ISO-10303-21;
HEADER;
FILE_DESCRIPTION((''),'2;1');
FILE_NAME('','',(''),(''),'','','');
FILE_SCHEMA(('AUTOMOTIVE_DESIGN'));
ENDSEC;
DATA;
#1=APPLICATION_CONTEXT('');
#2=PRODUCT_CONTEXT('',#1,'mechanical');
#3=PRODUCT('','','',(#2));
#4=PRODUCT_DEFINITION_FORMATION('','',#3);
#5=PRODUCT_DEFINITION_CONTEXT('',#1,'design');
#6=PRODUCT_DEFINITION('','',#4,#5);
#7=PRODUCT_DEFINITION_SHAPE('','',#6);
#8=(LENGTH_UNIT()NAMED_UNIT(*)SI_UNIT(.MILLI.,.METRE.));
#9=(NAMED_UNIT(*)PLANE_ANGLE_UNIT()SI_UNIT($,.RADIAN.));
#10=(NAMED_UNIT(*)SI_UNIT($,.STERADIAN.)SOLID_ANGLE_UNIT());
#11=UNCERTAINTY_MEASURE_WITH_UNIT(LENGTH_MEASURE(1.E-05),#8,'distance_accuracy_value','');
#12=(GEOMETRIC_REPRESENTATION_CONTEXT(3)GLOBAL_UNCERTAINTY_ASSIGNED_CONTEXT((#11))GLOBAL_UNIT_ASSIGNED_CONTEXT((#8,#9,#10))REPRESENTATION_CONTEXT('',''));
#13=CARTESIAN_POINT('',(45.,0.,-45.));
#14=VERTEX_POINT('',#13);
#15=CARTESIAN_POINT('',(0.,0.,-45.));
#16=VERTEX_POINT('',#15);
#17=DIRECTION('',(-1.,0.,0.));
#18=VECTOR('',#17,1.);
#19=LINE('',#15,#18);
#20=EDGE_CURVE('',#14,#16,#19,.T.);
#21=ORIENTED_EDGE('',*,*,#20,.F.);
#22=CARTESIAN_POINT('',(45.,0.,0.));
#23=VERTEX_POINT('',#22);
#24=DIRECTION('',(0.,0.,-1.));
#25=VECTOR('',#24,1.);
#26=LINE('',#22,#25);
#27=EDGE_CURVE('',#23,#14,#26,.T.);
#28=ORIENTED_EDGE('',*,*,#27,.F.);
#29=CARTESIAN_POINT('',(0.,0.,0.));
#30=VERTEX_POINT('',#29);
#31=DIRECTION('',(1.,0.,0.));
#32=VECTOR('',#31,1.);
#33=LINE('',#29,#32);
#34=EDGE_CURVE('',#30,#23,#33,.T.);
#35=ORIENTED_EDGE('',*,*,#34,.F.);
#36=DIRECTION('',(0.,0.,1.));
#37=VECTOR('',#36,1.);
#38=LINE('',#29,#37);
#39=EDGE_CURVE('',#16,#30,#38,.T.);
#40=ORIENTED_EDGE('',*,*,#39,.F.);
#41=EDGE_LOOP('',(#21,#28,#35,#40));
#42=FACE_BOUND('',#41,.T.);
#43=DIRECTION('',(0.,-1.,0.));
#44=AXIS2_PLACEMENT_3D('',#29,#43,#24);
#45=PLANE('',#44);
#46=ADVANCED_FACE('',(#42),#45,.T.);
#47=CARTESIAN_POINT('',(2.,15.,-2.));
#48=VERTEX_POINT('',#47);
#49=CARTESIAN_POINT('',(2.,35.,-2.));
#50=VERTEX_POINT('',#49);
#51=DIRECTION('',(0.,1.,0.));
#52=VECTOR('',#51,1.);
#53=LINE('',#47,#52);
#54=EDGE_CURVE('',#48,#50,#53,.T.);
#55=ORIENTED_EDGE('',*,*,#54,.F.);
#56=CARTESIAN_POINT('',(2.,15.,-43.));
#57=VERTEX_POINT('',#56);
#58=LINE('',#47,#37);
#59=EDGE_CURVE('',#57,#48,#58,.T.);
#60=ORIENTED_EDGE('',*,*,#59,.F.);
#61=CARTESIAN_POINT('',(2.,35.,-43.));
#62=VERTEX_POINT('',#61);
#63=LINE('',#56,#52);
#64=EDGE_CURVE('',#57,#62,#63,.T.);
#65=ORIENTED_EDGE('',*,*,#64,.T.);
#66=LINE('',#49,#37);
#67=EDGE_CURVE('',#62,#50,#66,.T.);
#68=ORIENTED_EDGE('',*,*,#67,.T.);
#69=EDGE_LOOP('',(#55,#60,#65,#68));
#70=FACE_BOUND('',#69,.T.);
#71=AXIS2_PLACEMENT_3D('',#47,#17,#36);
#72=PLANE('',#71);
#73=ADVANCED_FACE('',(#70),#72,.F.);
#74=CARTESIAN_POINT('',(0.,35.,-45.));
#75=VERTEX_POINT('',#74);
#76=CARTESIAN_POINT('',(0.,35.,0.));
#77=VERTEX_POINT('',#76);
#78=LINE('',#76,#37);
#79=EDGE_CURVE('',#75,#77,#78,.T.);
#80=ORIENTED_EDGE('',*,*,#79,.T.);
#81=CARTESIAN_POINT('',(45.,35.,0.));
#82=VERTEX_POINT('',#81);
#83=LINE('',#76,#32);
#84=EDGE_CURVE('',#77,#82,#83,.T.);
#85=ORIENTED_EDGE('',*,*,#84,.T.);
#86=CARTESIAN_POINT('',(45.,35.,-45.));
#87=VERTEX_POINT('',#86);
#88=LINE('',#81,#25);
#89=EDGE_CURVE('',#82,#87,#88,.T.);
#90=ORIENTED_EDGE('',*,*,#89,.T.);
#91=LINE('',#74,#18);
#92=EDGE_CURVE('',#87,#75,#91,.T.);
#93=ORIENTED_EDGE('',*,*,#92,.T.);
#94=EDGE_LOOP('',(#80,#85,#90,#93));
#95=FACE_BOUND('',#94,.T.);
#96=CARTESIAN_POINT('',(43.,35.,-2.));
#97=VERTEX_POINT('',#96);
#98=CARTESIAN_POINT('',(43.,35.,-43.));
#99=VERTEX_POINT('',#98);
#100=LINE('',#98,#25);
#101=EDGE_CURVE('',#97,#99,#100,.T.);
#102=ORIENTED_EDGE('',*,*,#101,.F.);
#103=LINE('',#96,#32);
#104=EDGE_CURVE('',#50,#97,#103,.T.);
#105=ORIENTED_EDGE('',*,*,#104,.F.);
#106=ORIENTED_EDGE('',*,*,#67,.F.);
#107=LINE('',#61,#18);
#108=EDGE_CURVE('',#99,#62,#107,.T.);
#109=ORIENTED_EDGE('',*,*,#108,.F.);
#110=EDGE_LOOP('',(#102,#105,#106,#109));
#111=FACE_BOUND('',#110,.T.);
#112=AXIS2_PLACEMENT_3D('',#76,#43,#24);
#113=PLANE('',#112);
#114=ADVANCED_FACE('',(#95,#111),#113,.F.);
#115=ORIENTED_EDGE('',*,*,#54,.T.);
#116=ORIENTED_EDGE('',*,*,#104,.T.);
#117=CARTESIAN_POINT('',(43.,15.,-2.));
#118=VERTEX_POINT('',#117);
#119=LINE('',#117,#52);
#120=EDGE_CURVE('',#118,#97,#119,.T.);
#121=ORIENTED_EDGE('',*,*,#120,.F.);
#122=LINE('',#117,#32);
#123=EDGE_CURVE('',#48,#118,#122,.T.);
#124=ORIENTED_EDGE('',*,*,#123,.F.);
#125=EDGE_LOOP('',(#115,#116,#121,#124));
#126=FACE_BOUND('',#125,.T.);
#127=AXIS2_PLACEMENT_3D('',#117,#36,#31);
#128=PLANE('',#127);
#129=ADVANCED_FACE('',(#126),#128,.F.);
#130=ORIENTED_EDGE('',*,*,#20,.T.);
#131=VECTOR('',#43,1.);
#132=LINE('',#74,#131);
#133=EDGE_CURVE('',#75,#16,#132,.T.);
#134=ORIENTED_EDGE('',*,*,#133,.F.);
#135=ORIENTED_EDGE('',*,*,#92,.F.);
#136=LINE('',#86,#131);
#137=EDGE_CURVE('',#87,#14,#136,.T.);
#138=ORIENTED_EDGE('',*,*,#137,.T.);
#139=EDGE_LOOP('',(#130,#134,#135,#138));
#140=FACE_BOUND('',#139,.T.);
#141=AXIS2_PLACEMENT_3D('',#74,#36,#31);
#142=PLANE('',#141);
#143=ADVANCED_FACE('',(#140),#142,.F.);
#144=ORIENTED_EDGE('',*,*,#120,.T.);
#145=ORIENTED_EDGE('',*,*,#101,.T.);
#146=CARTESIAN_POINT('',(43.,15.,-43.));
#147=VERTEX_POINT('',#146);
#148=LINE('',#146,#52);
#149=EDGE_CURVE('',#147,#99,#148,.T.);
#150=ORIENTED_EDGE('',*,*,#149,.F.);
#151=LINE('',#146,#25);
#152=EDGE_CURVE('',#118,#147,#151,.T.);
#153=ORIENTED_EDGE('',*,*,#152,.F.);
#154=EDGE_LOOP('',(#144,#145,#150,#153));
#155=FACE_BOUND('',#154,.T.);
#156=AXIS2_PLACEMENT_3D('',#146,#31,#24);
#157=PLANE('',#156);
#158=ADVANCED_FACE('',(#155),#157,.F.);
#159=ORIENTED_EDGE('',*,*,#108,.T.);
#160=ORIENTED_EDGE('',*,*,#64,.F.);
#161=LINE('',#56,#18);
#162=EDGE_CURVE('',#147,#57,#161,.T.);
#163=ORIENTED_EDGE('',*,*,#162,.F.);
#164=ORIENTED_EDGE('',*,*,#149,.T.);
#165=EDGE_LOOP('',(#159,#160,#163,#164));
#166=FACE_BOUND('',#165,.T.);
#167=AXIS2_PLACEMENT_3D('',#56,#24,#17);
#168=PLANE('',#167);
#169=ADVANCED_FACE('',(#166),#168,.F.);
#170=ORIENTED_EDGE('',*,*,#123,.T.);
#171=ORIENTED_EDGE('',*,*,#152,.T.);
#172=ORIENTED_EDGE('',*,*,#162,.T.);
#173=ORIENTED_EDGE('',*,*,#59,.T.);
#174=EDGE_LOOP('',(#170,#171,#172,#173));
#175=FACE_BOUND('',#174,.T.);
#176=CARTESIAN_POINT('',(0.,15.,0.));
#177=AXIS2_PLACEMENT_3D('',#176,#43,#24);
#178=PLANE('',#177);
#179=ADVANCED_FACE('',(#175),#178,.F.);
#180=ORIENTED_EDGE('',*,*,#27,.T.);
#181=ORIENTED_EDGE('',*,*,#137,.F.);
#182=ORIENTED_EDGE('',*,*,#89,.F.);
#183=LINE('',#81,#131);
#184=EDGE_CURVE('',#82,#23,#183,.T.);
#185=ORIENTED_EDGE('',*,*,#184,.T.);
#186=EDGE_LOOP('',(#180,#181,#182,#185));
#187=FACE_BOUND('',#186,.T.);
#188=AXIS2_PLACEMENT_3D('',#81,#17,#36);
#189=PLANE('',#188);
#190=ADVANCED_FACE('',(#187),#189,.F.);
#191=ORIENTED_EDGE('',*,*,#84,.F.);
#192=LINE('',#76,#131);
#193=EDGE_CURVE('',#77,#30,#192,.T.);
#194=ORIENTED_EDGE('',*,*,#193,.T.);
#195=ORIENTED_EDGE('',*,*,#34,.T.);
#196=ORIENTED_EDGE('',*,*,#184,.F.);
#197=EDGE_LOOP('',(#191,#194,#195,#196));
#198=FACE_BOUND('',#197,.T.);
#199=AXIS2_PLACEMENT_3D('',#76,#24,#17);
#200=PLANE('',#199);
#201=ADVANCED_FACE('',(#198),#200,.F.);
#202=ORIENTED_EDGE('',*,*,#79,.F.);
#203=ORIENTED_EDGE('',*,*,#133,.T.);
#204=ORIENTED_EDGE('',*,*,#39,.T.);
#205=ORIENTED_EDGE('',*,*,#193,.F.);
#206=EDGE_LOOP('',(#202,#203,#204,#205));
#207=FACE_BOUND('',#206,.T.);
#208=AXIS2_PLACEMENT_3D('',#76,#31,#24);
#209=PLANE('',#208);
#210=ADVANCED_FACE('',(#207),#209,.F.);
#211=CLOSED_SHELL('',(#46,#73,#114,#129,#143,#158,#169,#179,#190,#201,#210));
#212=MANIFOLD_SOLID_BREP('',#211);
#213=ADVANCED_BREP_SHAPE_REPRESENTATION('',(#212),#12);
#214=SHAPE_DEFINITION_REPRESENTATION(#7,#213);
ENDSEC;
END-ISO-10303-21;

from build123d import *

# Parameters (mm, degrees)
SKETCH1_W           = 45
SKETCH1_H           = 45
BOSS_EXTRUDE1_DEPTH = 35
SKETCH3_W           = 41
SKETCH3_H           = 41
CUT_EXTRUDE2_DEPTH  = 20


with BuildPart() as part:
    # Sketch1 → Boss-Extrude1 (new body)
    with BuildSketch(Plane(origin=(0, 0, 0), x_dir=(1, 0, 0), z_dir=(0, 1, 0))):
        with Locations((22.5, 22.5)):
            Rectangle(SKETCH1_W, SKETCH1_H)
    extrude(amount=BOSS_EXTRUDE1_DEPTH)

    # Sketch3 → Cut-Extrude2 (cut)
    with BuildSketch(Plane(origin=(0, 35, 0), x_dir=(1, 0, 0), z_dir=(0, 1, 0))):
        with Locations((22.5, 22.5)):
            Rectangle(SKETCH3_W, SKETCH3_H)
    extrude(amount=-CUT_EXTRUDE2_DEPTH, mode=Mode.SUBTRACT)


solid = part.part
